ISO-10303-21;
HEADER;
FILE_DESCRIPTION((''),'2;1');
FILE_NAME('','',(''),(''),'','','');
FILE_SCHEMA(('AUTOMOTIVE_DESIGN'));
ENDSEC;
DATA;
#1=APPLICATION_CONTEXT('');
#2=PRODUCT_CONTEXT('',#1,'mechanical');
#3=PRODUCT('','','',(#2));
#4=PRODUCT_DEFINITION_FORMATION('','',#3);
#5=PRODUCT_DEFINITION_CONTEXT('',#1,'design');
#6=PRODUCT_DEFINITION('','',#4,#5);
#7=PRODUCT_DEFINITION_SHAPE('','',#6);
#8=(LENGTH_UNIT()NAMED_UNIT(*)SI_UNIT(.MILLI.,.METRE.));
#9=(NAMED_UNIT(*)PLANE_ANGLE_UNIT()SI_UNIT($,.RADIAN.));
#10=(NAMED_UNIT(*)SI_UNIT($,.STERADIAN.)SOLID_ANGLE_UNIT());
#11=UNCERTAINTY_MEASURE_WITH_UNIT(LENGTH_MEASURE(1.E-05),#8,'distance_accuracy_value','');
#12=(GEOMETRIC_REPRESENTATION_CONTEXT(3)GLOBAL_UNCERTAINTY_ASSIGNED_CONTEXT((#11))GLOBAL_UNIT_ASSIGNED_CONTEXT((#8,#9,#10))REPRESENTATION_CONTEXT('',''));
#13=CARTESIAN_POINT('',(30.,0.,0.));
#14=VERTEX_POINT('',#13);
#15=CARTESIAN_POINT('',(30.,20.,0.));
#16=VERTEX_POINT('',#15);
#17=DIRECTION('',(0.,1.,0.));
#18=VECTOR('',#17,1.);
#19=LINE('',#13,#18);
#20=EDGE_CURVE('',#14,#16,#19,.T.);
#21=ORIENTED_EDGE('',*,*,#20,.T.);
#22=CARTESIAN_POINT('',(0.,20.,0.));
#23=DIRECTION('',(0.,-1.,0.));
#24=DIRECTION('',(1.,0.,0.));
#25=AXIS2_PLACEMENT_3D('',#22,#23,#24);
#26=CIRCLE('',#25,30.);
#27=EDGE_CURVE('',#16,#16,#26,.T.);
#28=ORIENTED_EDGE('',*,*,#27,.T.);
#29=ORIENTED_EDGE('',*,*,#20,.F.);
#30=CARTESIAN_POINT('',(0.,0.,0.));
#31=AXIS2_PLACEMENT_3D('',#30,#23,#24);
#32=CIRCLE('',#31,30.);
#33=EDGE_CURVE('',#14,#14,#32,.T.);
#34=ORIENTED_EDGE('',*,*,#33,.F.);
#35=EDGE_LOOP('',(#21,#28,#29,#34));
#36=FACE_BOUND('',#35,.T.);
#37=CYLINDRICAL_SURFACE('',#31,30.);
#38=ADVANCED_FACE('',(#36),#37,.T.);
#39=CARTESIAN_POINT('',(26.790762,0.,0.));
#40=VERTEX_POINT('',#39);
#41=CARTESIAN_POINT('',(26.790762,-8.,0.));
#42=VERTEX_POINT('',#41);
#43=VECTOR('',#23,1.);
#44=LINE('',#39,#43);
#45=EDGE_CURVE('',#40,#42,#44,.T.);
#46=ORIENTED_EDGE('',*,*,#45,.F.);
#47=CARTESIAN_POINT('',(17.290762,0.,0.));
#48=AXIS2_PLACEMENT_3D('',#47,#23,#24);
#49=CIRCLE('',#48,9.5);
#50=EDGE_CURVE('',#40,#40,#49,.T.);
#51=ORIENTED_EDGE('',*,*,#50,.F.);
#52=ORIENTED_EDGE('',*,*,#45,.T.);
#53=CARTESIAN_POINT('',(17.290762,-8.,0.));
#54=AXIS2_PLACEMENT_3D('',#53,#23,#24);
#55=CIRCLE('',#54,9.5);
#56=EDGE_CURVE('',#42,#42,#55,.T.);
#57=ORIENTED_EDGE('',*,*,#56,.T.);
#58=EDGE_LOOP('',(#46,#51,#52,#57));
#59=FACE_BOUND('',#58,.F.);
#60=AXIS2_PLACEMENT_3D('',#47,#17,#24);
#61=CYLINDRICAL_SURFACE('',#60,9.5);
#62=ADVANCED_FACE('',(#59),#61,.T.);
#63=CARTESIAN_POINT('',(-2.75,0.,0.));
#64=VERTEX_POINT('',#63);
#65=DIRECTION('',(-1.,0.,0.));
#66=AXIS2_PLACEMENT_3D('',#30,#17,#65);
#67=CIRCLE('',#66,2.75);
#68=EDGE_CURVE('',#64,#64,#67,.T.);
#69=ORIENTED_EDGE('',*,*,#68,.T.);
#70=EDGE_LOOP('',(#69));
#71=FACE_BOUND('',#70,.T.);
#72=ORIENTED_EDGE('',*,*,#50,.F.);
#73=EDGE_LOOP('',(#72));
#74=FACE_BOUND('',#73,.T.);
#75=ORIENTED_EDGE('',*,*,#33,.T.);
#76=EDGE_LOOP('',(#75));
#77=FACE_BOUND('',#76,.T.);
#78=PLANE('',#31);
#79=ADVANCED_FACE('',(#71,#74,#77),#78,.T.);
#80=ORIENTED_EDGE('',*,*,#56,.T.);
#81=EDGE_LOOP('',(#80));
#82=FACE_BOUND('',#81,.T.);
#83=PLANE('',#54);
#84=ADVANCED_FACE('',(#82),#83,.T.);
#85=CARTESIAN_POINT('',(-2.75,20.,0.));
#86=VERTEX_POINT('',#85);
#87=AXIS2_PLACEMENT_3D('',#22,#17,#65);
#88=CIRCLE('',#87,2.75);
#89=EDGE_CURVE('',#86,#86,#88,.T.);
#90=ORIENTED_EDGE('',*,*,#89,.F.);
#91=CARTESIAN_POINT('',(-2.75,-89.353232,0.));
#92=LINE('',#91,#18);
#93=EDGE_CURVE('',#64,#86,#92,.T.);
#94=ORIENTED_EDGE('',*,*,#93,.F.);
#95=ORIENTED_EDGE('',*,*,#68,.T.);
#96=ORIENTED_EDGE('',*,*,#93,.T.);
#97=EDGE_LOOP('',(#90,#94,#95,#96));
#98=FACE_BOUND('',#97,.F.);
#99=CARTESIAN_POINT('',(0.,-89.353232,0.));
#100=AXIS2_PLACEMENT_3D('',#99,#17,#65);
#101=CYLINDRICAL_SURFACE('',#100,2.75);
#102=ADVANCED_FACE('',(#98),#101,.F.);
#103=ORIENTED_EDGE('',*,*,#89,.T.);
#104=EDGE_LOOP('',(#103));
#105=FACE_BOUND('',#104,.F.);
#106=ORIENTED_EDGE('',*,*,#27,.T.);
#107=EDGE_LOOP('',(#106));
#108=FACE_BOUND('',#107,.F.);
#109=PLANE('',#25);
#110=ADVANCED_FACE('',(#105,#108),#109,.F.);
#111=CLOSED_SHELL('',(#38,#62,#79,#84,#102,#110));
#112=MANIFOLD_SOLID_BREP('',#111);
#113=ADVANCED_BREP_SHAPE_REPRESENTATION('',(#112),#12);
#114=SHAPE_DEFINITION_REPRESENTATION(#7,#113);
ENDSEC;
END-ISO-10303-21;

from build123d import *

# Parameters (mm, degrees)
F0_R     = 30
F0_R_2   = 9.5
F1_DEPTH = 20
F2_DEPTH = 8
F3_D     = 5.5


with BuildPart() as f1:
    # F0 (on Front) → F1 (new body)
    with BuildSketch(Plane.XZ):
        Circle(F0_R)
        with Locations((17.2907616943, 0)):
            Circle(F0_R_2, mode=Mode.SUBTRACT)
        with Locations((17.2907616943, 0)):
            Circle(F0_R_2)
    extrude(amount=-F1_DEPTH)

    # F0 (on Front) → F2 (join)
    with BuildSketch(Plane.XZ):
        with Locations((17.2907616943, 0)):
            Circle(F0_R_2)
    extrude(amount=F2_DEPTH)

    # F3 (through all)
    with Locations(Plane.XZ):
        with Locations((0, 0)):
            Hole(F3_D / 2)


solid = f1.part
